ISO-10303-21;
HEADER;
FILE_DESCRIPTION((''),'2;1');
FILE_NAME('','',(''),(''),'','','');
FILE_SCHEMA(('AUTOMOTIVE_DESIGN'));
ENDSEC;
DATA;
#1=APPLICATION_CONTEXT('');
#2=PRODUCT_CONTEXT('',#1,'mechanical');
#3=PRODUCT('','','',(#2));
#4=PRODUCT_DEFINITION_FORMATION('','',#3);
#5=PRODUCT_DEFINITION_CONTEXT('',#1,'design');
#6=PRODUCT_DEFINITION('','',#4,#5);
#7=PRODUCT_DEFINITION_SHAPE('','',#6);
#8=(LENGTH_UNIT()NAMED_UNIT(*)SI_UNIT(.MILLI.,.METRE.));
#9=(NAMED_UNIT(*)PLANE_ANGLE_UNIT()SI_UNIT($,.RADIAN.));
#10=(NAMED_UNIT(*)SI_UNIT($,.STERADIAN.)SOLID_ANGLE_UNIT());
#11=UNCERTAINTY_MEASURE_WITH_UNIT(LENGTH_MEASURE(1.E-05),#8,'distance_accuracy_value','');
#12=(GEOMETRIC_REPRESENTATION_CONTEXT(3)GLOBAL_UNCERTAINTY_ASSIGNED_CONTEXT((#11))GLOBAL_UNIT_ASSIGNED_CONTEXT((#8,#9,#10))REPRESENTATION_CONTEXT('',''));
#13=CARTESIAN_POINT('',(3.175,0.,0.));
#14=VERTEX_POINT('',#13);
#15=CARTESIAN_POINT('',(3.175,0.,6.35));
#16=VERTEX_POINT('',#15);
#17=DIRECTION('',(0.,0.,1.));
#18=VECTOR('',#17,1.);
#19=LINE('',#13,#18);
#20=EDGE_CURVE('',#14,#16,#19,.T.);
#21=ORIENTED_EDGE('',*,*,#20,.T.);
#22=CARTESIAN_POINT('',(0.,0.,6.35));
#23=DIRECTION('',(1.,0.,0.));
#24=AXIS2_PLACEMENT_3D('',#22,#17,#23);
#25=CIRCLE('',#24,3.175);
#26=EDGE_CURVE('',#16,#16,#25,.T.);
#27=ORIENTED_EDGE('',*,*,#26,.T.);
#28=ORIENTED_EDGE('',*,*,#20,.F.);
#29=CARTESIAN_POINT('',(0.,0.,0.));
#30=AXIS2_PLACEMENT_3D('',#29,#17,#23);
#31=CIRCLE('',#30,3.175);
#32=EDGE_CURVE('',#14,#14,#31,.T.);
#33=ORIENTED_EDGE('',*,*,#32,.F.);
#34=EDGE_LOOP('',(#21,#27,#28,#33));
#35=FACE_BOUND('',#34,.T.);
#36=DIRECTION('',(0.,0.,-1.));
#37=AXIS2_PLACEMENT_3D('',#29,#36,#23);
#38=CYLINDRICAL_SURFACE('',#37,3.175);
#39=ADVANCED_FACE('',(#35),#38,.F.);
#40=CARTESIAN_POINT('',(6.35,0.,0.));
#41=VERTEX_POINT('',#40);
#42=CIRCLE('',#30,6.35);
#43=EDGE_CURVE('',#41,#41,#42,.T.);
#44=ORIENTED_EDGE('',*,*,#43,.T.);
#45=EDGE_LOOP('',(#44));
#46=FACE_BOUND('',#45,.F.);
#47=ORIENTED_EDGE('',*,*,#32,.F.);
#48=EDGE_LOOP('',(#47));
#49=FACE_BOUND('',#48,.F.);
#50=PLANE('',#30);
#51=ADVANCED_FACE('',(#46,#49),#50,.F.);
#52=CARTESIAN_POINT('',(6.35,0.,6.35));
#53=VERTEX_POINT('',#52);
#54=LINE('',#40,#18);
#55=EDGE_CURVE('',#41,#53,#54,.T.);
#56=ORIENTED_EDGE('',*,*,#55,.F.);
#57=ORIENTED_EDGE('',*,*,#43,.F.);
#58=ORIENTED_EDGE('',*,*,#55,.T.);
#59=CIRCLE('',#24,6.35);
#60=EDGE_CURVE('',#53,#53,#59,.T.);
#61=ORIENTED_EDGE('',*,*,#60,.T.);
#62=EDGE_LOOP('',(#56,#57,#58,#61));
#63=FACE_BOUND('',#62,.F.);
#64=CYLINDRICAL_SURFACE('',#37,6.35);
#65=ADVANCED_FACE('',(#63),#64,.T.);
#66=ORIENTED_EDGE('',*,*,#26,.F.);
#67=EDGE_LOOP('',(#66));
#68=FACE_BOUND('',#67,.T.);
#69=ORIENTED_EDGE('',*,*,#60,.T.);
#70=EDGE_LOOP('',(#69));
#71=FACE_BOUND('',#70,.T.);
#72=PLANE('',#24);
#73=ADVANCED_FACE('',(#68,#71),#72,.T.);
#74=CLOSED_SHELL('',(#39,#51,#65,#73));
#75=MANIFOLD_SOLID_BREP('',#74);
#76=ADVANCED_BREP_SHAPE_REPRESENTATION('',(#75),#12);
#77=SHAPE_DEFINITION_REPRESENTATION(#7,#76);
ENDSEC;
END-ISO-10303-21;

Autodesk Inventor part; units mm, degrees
ref_plane "YZ Plane" through (0, 0, 0) normal (1, 0, 0) x (0, 1, 0)
ref_plane "XZ Plane" through (0, 0, 0) normal (0, 1, 0) x (-1, 0, 0)
ref_plane "XY Plane" through (0, 0, 0) normal (0, 0, 1) x (1, 0, 0)
sketch "Sketch1" plane through (0, 0, 0) normal (0, 0, 1) x (1, 0, 0)
  circle A0 centre (0, 0) radius 6.35
  circle A1 centre (0, 0) radius 3.175
  dimension "d2" = 12.7
  dimension "d3" = 6.35
extrude "Extrusion1" add sketch "Sketch1" along normal blind 6.35
properties part number "shaft"
